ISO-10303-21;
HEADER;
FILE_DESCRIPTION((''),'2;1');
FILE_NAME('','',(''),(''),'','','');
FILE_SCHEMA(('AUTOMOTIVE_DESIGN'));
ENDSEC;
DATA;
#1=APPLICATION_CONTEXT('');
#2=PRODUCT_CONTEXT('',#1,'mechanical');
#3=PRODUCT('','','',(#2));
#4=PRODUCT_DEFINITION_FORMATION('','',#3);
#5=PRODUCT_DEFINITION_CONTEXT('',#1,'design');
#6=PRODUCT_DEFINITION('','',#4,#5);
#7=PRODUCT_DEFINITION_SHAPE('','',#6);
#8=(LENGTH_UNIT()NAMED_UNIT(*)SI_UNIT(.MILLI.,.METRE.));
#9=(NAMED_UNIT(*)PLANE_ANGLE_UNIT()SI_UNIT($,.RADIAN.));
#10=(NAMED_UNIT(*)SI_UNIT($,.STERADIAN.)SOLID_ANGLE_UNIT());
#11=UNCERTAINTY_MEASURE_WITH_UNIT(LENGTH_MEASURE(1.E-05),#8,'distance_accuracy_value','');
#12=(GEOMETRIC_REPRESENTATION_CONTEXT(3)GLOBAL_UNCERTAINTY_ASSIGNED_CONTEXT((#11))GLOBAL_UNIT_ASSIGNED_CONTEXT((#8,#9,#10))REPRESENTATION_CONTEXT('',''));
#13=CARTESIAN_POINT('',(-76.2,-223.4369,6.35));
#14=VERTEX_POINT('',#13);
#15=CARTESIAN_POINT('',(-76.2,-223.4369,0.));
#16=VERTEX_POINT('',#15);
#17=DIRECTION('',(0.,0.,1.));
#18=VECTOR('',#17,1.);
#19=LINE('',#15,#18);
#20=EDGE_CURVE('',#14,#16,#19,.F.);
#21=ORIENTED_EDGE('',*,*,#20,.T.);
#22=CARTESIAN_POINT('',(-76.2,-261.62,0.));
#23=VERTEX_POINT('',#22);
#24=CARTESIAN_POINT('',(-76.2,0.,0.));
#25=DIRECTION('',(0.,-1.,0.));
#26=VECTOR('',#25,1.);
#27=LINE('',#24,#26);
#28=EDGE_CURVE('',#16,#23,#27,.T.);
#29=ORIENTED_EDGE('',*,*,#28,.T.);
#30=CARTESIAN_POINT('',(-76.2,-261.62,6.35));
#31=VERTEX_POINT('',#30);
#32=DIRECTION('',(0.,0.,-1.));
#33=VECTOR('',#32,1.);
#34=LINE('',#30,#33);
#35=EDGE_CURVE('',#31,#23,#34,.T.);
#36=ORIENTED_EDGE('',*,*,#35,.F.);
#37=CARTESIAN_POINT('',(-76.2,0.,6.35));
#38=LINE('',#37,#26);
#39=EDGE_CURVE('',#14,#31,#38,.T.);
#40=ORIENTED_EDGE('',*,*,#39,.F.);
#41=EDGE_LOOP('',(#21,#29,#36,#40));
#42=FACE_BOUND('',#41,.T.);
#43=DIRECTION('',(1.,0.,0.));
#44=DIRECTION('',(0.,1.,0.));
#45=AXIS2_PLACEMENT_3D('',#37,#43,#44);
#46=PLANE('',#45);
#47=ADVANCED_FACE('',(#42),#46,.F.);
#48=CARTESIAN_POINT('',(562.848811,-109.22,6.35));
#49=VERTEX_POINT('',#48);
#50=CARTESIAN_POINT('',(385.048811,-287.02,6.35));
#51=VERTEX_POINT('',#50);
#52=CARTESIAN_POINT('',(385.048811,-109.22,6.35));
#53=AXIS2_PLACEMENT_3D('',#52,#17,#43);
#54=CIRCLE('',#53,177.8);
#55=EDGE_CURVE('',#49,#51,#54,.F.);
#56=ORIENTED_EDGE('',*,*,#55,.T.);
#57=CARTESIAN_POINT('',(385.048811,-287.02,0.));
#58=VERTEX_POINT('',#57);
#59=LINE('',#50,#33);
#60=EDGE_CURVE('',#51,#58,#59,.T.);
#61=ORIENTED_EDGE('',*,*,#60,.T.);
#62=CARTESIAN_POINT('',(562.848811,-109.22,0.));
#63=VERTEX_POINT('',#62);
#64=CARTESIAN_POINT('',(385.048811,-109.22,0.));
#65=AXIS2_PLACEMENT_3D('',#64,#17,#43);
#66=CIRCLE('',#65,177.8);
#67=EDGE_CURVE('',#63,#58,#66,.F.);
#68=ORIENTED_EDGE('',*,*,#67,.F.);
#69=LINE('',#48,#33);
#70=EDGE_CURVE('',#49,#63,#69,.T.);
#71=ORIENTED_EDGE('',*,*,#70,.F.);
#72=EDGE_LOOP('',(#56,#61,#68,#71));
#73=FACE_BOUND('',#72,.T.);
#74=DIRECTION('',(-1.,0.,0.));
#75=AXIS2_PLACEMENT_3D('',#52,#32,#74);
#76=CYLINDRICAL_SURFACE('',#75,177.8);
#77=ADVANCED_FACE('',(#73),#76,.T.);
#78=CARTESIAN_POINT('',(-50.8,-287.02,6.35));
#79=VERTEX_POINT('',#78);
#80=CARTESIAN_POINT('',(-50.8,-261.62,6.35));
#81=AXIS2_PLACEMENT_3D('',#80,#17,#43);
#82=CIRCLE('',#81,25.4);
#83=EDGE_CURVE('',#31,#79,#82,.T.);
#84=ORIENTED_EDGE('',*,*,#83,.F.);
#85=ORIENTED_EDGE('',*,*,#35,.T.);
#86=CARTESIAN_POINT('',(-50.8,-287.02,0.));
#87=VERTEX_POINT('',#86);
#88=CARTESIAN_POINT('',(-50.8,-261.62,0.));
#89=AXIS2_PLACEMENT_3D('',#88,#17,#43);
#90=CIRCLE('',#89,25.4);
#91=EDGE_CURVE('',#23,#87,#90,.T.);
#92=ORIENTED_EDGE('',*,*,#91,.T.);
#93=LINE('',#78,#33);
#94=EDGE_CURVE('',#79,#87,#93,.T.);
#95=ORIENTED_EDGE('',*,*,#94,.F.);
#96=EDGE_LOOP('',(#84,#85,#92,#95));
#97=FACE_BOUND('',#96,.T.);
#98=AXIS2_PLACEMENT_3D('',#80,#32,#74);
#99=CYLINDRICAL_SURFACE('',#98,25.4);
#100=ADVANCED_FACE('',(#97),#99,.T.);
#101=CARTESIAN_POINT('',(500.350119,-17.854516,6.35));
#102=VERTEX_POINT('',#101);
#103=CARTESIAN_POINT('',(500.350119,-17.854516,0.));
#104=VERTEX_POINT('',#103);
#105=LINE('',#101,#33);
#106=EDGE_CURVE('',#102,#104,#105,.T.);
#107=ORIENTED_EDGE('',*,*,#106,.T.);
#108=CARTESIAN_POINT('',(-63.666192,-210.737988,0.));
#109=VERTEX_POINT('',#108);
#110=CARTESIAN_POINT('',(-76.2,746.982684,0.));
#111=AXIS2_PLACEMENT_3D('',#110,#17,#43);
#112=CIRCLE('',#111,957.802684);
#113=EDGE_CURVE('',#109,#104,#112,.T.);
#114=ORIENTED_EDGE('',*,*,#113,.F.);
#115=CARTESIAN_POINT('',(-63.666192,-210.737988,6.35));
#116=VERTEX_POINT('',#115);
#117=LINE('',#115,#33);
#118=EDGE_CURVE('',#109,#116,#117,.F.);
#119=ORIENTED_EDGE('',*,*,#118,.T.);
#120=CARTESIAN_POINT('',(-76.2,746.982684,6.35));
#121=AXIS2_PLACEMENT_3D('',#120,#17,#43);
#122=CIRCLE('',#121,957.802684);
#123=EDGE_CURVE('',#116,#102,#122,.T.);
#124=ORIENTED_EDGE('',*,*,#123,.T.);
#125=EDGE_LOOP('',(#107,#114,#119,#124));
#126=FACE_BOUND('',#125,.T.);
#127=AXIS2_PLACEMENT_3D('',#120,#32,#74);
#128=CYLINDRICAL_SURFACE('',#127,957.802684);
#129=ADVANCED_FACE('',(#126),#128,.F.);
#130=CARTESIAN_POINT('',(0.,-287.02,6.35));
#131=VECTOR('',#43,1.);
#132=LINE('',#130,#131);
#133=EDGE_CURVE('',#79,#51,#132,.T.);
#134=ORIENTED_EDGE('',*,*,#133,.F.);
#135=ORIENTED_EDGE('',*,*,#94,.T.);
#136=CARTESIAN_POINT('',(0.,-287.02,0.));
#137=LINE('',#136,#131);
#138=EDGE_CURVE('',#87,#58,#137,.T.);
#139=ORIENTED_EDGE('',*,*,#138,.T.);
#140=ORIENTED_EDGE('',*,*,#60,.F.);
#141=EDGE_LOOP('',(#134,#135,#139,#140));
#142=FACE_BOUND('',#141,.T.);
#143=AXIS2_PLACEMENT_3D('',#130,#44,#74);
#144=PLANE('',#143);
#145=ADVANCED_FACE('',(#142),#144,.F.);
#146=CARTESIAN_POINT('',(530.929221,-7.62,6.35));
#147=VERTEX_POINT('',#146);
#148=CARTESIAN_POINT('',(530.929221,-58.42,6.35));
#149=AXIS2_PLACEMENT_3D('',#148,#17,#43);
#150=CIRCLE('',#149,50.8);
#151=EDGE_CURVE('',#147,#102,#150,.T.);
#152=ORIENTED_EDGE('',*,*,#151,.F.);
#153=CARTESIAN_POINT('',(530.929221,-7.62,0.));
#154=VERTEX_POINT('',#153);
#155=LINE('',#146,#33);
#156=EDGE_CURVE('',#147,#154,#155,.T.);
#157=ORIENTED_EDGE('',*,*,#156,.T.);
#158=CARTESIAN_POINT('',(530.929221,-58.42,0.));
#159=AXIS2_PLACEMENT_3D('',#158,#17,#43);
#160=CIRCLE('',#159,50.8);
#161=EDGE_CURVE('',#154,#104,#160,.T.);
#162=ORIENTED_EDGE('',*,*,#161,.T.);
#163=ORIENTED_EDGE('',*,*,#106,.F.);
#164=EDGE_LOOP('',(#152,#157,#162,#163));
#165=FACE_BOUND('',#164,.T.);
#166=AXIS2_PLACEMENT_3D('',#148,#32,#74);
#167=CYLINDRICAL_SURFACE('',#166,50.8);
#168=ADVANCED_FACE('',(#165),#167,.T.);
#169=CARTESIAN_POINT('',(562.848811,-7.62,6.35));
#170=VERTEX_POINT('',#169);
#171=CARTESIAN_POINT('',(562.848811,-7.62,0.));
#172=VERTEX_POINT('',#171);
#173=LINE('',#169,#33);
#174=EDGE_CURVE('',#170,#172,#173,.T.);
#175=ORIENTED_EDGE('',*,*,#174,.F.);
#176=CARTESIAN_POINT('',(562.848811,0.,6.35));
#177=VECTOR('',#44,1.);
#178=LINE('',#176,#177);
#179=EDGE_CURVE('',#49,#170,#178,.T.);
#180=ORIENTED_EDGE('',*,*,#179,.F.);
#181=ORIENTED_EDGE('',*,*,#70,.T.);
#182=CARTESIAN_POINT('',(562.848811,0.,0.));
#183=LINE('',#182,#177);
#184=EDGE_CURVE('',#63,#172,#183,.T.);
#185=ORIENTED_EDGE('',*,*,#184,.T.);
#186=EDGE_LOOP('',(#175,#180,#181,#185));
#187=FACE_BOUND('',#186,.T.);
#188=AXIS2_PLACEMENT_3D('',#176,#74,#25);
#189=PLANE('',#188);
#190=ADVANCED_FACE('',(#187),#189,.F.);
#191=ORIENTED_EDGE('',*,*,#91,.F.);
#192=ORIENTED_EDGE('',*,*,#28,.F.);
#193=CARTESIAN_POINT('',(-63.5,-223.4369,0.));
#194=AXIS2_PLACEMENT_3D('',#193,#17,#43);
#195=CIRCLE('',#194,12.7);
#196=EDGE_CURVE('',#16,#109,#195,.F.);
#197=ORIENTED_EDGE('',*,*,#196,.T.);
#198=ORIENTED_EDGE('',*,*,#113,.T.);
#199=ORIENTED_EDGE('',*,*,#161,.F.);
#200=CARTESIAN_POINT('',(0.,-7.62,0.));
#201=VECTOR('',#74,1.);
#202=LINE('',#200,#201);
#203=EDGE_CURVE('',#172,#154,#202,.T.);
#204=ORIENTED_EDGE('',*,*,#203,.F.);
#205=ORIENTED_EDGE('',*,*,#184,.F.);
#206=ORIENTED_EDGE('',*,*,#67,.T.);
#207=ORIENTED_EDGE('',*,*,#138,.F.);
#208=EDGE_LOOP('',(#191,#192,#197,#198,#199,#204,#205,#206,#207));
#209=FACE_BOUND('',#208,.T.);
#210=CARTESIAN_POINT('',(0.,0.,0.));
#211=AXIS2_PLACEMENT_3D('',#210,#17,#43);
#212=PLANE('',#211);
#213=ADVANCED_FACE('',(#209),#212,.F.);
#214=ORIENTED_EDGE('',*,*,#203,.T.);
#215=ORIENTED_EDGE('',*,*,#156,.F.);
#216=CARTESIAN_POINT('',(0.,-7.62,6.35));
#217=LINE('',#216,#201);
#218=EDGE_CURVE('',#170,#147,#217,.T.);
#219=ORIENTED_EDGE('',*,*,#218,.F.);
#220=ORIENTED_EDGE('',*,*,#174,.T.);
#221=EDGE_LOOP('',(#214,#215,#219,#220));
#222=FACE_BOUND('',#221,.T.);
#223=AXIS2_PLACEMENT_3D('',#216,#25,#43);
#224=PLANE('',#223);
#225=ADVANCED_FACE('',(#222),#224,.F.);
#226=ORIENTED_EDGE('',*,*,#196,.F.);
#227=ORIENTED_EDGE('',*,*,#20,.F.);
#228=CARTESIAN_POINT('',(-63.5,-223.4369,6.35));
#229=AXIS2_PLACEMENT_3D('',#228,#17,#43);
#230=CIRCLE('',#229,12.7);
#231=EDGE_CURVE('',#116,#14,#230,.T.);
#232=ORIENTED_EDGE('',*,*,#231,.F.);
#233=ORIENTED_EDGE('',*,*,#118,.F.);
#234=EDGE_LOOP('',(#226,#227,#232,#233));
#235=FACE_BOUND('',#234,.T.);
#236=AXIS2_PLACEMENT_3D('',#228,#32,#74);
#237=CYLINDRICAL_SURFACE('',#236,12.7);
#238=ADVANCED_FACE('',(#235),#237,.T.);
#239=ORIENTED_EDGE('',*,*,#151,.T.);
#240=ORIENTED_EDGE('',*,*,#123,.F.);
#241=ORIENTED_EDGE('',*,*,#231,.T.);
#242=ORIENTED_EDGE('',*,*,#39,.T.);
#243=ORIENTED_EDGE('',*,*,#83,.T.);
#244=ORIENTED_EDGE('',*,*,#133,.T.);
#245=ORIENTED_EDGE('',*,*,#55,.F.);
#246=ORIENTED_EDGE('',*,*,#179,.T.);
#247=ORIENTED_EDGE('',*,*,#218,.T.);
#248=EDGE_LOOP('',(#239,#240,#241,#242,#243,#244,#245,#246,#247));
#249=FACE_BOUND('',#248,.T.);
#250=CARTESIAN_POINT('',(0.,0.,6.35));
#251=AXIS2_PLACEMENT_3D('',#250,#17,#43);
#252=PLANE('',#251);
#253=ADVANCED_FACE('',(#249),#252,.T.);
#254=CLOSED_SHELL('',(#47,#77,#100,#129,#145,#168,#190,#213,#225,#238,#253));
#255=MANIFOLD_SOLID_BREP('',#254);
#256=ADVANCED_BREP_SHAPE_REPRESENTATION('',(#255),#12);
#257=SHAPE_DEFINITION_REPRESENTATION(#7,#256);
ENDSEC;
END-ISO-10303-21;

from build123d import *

# Parameters (mm, degrees)
BOSS_EXTRUDE1_DEPTH = 6.35
FILLET1_R           = 12.7


with BuildPart() as part:
    # Sketch1 → Boss-Extrude1 (new body)
    with BuildSketch(Plane.XY):
        with BuildLine():
            Line((-76.2, -210.82), (-76.2, -261.62))
            ThreePointArc((-76.2, -261.62), (-68.760512242, -279.580512242), (-50.8, -287.02))
            Line((-50.8, -287.02), (385.048811446, -287.02))
            ThreePointArc((385.048811446, -287.02), (510.772397141, -234.943585695), (562.848811446, -109.22))
            Line((562.848811446, -109.22), (562.848811446, -7.62))
            Line((562.848811446, -7.62), (530.929220686, -7.62))
            ThreePointArc((530.929220686, -7.62), (514.80604796, -10.246529072), (500.350118615, -17.8545157))
            ThreePointArc((500.350118615, -17.8545157), (227.792482393, -161.298413505), (-76.2, -210.82))
        make_face()
    extrude(amount=BOSS_EXTRUDE1_DEPTH)

    # Fillet1
    fillet1_edges = [part.edges().sort_by_distance(p)[0] for p in [
        (-76.2, -210.82, 3.175),
    ]]
    fillet(fillet1_edges, radius=FILLET1_R)


solid = part.part
